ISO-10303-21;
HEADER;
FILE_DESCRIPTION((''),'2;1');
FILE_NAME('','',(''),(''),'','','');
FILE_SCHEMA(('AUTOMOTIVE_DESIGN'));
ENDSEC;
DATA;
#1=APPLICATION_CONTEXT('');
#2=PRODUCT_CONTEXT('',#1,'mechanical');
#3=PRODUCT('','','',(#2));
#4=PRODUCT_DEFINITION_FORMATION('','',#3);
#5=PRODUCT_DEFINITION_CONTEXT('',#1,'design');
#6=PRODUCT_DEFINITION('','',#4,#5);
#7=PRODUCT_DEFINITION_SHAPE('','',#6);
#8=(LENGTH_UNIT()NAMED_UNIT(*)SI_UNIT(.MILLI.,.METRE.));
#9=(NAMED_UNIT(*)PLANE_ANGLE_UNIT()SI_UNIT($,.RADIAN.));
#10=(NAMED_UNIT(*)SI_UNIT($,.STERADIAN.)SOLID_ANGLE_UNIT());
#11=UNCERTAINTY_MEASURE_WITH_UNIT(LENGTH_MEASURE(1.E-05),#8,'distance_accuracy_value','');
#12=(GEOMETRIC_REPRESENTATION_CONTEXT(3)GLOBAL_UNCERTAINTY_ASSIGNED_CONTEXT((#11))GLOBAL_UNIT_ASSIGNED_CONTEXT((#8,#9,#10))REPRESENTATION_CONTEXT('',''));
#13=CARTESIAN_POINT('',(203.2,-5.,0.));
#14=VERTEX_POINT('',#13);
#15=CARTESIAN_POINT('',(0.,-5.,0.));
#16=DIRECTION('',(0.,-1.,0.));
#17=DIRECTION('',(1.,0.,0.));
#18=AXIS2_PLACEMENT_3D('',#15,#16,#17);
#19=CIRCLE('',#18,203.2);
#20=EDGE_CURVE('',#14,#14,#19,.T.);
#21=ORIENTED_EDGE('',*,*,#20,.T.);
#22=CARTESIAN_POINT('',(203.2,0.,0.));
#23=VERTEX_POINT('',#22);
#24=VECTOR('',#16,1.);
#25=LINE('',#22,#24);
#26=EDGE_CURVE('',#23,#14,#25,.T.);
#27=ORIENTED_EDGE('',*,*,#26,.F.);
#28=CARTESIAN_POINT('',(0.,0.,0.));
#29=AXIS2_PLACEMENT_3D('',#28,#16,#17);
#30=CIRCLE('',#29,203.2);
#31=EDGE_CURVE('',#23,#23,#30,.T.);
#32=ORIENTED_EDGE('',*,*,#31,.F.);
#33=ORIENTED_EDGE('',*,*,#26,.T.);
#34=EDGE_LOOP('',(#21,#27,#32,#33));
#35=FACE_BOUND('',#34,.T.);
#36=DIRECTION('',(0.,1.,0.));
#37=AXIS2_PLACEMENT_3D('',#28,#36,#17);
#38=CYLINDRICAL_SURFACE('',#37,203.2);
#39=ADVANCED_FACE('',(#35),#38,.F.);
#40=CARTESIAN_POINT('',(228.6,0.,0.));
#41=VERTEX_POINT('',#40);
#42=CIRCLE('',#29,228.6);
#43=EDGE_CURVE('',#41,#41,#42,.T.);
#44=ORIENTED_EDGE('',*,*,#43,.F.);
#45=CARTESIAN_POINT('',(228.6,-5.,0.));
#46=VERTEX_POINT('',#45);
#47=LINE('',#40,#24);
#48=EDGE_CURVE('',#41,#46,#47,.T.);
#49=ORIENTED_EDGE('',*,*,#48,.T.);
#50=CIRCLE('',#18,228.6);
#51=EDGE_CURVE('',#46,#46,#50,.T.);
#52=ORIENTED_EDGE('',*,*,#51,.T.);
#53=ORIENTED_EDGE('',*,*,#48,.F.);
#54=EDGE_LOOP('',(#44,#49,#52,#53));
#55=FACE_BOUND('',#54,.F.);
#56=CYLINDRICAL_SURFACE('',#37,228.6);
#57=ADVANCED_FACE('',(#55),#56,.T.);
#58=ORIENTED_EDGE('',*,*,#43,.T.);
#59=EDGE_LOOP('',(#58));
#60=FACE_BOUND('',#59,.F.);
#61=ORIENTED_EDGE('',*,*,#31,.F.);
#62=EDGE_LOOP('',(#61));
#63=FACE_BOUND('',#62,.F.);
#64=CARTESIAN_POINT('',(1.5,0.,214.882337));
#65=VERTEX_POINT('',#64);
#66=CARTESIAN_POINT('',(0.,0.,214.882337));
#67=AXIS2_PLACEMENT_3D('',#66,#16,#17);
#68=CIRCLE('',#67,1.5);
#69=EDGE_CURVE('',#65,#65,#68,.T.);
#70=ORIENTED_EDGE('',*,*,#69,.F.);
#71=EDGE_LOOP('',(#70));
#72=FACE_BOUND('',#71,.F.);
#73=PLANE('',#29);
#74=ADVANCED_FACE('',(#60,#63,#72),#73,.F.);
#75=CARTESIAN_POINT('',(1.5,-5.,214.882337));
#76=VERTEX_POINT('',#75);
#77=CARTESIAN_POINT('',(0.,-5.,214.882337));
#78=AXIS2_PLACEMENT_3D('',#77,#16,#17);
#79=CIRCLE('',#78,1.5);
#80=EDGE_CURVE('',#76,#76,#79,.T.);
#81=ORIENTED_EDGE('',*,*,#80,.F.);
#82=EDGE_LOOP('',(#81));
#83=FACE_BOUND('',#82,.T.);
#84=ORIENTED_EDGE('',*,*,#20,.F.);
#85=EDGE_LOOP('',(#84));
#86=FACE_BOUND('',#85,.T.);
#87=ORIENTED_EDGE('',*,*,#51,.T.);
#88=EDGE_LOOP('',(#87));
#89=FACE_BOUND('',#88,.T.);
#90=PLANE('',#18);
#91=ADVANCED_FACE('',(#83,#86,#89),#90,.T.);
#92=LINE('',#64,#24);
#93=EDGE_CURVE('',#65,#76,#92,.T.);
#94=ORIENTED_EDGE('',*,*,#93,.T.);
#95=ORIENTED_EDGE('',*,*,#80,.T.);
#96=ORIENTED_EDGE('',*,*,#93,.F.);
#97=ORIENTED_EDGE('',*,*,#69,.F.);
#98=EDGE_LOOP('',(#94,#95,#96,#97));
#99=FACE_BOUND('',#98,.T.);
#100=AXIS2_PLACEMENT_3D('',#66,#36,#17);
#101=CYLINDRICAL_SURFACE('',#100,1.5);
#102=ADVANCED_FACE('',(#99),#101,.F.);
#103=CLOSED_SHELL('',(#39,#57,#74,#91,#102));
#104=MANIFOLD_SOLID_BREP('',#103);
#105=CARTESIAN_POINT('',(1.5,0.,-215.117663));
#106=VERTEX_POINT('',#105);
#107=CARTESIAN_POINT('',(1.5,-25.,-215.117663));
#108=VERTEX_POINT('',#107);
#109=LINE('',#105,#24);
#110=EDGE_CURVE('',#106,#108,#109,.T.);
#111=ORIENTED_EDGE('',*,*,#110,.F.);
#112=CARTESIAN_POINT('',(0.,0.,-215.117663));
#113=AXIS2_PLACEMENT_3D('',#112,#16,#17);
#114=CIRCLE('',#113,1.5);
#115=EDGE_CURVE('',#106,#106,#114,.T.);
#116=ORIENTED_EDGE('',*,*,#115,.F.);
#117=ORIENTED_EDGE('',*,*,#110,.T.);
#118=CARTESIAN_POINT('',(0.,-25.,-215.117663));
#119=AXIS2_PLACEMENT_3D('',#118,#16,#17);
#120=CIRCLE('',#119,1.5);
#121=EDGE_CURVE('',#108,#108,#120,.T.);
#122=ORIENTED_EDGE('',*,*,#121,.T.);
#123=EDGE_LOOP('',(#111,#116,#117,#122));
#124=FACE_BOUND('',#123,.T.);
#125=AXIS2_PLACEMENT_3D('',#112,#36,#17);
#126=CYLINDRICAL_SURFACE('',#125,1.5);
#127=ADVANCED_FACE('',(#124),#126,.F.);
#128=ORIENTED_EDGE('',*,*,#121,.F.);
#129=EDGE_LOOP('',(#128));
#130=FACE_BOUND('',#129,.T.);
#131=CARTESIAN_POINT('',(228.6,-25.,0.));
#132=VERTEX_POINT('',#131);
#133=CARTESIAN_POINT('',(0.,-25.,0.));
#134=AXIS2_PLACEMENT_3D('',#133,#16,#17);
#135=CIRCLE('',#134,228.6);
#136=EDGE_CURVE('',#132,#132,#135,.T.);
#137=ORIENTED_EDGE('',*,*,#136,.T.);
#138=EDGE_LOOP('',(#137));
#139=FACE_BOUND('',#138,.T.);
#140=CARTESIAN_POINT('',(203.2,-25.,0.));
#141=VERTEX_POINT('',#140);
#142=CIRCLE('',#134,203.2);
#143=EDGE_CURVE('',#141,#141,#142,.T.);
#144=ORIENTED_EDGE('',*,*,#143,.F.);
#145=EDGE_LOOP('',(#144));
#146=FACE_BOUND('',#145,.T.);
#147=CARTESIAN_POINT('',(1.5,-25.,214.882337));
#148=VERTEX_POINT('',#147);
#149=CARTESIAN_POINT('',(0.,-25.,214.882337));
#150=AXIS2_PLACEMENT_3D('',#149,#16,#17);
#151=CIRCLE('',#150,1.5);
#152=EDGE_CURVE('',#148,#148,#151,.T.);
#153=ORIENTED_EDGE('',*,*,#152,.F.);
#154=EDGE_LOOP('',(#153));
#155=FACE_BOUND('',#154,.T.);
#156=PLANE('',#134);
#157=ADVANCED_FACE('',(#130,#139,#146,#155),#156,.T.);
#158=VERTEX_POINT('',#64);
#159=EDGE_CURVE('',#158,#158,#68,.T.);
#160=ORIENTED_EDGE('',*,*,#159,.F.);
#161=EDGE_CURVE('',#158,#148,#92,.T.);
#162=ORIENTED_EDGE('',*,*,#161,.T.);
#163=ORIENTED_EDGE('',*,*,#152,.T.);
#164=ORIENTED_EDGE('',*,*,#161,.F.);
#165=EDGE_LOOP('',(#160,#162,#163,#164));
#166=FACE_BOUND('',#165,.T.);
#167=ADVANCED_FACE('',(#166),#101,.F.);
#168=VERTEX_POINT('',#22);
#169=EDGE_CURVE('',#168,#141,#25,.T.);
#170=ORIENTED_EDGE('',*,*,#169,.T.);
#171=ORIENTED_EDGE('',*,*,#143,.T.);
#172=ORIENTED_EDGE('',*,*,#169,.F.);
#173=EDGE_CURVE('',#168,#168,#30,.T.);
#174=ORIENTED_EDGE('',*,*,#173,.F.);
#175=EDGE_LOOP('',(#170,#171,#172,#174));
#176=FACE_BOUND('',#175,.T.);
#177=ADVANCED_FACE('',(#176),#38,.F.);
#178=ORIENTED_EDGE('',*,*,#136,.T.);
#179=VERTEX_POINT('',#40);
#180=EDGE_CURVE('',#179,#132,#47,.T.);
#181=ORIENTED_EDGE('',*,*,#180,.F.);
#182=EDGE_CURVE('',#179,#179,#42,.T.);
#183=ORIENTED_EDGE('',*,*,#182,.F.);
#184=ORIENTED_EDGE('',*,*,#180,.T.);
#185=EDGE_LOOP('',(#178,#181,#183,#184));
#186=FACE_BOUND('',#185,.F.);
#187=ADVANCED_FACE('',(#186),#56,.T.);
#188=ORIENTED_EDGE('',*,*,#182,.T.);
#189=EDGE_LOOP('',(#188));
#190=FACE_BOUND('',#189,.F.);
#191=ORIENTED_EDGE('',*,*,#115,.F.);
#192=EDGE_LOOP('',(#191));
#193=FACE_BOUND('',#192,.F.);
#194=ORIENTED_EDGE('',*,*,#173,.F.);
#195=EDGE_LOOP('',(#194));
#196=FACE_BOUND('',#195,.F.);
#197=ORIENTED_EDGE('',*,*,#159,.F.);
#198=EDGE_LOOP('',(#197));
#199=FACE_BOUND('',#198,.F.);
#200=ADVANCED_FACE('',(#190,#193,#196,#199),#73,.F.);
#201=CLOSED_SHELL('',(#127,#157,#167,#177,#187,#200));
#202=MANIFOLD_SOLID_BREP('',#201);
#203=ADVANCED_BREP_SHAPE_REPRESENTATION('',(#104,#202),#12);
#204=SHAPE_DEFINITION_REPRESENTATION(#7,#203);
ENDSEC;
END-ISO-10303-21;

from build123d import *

# Parameters (mm, degrees)
F0_R     = 228.6
F0_R_2   = 1.5
F0_R_3   = 203.2
F1_DEPTH = 5
F2_DEPTH = 25


with BuildPart() as f1:
    # F0 (on Front) → F1 (new body)
    with BuildSketch(Plane.XZ):
        Circle(F0_R)
        with Locations((0, -215.117663)):
            Circle(F0_R_2, mode=Mode.SUBTRACT)
        Circle(F0_R_3, mode=Mode.SUBTRACT)
        with Locations((0, 214.882337)):
            Circle(F0_R_2, mode=Mode.SUBTRACT)
        with Locations((0, -215.117663)):
            Circle(F0_R_2)
    extrude(amount=F1_DEPTH)


with BuildPart() as f2:
    # F0 (on Front) → F2 (new body)
    with BuildSketch(Plane.XZ):
        Circle(F0_R)
        with Locations((0, -215.117663)):
            Circle(F0_R_2, mode=Mode.SUBTRACT)
        Circle(F0_R_3, mode=Mode.SUBTRACT)
        with Locations((0, 214.882337)):
            Circle(F0_R_2, mode=Mode.SUBTRACT)
    extrude(amount=F2_DEPTH)


solid = Compound([f1.part, f2.part])
